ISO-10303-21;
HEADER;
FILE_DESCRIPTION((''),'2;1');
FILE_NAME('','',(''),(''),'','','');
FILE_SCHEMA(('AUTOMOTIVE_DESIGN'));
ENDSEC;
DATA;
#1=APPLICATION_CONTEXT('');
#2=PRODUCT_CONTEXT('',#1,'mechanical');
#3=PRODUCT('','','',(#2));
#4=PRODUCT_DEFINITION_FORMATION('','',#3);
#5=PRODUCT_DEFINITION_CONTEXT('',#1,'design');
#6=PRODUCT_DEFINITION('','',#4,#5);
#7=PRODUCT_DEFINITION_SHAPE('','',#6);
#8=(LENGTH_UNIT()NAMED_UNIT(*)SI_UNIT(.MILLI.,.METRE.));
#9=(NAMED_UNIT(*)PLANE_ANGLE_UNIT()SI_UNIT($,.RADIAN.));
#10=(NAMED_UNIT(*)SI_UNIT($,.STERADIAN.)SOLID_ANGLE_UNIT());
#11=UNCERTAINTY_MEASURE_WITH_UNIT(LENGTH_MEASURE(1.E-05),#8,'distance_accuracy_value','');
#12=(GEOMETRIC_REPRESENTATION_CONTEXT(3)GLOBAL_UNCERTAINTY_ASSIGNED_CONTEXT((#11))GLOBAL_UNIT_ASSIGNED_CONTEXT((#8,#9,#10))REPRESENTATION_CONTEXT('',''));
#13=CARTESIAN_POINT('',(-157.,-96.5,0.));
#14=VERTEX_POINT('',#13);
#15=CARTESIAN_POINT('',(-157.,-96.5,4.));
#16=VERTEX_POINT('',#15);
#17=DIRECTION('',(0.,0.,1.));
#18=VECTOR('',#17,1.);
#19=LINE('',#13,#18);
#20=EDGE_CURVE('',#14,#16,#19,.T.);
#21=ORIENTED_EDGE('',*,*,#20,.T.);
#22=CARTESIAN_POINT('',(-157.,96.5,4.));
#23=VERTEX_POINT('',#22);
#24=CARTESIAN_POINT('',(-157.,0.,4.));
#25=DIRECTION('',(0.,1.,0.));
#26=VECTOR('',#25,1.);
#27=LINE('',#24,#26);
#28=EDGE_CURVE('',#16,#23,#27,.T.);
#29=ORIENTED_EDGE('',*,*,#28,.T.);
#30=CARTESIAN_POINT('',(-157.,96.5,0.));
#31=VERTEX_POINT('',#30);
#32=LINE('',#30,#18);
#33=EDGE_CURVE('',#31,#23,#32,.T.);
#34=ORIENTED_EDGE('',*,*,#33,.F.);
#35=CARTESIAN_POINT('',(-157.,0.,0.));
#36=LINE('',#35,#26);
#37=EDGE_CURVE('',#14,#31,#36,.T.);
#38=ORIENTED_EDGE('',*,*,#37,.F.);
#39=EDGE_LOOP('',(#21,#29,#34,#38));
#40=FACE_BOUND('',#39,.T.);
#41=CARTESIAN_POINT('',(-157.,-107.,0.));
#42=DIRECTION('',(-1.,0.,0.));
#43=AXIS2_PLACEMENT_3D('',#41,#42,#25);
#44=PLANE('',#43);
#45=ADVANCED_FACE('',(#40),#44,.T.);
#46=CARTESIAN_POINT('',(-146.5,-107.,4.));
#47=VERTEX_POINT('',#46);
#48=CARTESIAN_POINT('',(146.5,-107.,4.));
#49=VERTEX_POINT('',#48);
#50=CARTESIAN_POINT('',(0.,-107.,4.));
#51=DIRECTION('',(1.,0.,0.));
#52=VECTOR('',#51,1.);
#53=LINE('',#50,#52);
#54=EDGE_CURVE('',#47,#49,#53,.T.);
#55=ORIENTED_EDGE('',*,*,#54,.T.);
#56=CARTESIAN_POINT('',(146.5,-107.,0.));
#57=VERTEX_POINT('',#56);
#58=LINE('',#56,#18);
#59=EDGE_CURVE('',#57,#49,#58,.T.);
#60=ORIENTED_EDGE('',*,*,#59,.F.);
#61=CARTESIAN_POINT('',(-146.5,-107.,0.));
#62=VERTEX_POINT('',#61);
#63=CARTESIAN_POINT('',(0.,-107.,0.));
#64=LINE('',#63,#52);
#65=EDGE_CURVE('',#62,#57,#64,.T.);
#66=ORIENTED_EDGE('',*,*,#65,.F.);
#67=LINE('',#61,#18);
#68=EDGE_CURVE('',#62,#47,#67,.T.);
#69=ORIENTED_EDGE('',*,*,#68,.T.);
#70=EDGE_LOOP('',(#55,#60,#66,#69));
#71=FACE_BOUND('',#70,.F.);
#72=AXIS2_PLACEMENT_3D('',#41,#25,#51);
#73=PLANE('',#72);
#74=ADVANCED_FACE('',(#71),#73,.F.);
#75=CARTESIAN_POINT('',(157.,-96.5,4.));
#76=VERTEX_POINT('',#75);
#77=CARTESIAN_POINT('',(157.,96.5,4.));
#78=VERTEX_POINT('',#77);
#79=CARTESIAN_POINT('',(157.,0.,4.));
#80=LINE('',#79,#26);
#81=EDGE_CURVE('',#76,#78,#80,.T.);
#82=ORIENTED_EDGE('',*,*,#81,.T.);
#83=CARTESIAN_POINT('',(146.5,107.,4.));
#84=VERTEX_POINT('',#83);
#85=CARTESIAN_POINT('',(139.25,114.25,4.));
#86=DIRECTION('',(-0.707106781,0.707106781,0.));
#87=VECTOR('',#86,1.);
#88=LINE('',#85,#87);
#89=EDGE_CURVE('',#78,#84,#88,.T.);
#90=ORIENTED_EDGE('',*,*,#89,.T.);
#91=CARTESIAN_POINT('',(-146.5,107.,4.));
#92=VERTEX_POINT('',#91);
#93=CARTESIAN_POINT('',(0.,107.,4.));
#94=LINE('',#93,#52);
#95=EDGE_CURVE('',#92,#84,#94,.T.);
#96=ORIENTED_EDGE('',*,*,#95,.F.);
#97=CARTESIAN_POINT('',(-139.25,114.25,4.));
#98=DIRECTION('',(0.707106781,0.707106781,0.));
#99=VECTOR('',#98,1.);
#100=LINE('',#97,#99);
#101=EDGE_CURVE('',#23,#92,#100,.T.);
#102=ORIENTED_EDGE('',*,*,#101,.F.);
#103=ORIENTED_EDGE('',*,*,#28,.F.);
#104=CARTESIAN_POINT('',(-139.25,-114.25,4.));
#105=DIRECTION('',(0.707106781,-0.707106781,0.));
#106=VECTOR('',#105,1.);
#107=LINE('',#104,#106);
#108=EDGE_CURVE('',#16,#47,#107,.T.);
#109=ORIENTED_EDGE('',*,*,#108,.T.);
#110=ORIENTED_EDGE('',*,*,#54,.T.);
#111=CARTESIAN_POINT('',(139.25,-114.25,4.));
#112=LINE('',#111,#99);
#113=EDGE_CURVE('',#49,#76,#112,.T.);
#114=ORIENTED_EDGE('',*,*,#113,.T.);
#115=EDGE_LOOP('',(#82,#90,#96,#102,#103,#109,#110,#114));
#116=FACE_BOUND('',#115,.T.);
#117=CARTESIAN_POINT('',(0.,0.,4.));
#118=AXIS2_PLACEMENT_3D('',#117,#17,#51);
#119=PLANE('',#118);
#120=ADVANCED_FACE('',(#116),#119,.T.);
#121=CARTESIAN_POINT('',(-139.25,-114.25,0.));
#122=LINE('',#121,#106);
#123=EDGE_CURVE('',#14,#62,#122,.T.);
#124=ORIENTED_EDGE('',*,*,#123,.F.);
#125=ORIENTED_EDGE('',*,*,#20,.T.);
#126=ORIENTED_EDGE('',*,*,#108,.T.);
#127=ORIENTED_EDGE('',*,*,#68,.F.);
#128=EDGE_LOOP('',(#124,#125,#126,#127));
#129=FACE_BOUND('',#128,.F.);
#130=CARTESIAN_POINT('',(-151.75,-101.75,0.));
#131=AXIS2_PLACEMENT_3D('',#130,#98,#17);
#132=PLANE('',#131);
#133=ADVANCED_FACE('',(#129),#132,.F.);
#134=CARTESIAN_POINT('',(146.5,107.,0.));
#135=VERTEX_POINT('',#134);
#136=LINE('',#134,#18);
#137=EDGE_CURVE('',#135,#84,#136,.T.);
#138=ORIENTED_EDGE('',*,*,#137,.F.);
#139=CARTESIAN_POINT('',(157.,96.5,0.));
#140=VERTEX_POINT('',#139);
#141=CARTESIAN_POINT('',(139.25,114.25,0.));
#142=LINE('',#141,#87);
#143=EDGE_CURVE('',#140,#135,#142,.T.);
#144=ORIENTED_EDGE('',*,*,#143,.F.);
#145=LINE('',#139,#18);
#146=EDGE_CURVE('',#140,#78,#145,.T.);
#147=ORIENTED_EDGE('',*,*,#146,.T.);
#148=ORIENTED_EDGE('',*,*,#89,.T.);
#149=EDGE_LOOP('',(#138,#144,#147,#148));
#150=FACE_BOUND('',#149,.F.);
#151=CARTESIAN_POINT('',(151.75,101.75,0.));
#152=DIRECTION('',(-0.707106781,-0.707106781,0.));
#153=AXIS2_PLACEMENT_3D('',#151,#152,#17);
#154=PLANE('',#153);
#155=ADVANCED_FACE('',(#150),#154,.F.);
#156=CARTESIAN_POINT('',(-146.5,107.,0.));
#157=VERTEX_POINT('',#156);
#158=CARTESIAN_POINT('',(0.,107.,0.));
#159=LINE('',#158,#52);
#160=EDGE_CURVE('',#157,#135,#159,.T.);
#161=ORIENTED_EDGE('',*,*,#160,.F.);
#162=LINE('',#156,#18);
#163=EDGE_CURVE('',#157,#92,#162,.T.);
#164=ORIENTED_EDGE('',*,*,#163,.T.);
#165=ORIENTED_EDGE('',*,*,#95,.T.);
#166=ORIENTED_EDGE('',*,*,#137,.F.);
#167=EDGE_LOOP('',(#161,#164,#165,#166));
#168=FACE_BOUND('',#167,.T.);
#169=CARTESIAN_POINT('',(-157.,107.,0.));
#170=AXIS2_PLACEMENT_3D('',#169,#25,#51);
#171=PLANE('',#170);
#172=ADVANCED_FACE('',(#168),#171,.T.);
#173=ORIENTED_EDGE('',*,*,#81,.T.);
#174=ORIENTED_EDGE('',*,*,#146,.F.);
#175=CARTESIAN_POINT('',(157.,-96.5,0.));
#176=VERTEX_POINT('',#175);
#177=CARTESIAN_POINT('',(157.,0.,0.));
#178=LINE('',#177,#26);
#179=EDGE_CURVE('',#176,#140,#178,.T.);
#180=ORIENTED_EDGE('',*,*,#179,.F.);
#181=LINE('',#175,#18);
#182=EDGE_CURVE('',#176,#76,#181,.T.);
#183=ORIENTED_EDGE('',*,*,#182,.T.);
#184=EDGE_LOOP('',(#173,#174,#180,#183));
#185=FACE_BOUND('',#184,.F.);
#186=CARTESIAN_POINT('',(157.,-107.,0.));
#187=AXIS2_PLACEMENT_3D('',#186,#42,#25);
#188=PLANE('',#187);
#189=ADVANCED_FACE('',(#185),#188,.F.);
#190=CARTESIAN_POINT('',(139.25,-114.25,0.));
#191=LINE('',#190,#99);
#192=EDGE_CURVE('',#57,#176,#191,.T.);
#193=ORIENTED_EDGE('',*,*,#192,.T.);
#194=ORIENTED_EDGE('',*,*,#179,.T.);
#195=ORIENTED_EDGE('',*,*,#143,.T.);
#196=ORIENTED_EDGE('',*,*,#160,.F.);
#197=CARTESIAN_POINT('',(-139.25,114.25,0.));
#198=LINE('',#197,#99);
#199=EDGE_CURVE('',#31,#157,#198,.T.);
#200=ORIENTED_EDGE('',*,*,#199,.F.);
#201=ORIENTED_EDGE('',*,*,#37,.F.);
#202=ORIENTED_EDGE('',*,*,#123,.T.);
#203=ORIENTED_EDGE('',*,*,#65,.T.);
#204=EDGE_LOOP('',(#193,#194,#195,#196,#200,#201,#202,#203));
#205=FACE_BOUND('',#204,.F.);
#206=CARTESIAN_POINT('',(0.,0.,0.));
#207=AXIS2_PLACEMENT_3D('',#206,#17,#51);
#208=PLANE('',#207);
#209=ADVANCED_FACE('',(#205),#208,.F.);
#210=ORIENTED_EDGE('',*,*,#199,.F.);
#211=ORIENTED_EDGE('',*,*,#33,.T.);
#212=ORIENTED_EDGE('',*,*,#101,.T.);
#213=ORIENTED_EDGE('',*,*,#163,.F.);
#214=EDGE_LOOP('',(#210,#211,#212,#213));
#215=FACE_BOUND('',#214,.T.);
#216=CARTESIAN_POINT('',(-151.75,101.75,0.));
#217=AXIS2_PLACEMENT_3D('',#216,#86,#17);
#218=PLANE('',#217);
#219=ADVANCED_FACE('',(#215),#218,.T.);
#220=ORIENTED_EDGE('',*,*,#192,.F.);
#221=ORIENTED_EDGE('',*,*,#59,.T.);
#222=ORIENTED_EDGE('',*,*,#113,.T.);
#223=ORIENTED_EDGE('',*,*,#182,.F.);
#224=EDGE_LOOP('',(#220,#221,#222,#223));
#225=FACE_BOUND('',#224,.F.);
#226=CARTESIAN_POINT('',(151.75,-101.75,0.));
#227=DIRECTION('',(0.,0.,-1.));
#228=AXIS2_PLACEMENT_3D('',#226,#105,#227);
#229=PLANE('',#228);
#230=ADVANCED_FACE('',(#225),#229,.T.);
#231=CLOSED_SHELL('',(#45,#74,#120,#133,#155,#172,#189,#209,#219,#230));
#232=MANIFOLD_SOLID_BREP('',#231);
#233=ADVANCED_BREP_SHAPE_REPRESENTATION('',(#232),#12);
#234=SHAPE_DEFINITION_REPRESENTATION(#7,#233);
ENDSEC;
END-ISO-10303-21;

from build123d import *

# Parameters (mm, degrees)
F0_W     = 314
F0_H     = 214
F1_DEPTH = 4
F2_SIZE  = 10.5


with BuildPart() as f1:
    # F0 (on Top) → F1 (new body)
    with BuildSketch(Plane.XY):
        Rectangle(F0_W, F0_H)
    extrude(amount=F1_DEPTH)

    # F2
    f2_edges = [f1.edges().sort_by_distance(p)[0] for p in [
        (-157, -107, 2),
        (157, -107, 2),
        (157, 107, 2),
        (-157, 107, 2),
    ]]
    chamfer(f2_edges, length=F2_SIZE)


solid = f1.part
